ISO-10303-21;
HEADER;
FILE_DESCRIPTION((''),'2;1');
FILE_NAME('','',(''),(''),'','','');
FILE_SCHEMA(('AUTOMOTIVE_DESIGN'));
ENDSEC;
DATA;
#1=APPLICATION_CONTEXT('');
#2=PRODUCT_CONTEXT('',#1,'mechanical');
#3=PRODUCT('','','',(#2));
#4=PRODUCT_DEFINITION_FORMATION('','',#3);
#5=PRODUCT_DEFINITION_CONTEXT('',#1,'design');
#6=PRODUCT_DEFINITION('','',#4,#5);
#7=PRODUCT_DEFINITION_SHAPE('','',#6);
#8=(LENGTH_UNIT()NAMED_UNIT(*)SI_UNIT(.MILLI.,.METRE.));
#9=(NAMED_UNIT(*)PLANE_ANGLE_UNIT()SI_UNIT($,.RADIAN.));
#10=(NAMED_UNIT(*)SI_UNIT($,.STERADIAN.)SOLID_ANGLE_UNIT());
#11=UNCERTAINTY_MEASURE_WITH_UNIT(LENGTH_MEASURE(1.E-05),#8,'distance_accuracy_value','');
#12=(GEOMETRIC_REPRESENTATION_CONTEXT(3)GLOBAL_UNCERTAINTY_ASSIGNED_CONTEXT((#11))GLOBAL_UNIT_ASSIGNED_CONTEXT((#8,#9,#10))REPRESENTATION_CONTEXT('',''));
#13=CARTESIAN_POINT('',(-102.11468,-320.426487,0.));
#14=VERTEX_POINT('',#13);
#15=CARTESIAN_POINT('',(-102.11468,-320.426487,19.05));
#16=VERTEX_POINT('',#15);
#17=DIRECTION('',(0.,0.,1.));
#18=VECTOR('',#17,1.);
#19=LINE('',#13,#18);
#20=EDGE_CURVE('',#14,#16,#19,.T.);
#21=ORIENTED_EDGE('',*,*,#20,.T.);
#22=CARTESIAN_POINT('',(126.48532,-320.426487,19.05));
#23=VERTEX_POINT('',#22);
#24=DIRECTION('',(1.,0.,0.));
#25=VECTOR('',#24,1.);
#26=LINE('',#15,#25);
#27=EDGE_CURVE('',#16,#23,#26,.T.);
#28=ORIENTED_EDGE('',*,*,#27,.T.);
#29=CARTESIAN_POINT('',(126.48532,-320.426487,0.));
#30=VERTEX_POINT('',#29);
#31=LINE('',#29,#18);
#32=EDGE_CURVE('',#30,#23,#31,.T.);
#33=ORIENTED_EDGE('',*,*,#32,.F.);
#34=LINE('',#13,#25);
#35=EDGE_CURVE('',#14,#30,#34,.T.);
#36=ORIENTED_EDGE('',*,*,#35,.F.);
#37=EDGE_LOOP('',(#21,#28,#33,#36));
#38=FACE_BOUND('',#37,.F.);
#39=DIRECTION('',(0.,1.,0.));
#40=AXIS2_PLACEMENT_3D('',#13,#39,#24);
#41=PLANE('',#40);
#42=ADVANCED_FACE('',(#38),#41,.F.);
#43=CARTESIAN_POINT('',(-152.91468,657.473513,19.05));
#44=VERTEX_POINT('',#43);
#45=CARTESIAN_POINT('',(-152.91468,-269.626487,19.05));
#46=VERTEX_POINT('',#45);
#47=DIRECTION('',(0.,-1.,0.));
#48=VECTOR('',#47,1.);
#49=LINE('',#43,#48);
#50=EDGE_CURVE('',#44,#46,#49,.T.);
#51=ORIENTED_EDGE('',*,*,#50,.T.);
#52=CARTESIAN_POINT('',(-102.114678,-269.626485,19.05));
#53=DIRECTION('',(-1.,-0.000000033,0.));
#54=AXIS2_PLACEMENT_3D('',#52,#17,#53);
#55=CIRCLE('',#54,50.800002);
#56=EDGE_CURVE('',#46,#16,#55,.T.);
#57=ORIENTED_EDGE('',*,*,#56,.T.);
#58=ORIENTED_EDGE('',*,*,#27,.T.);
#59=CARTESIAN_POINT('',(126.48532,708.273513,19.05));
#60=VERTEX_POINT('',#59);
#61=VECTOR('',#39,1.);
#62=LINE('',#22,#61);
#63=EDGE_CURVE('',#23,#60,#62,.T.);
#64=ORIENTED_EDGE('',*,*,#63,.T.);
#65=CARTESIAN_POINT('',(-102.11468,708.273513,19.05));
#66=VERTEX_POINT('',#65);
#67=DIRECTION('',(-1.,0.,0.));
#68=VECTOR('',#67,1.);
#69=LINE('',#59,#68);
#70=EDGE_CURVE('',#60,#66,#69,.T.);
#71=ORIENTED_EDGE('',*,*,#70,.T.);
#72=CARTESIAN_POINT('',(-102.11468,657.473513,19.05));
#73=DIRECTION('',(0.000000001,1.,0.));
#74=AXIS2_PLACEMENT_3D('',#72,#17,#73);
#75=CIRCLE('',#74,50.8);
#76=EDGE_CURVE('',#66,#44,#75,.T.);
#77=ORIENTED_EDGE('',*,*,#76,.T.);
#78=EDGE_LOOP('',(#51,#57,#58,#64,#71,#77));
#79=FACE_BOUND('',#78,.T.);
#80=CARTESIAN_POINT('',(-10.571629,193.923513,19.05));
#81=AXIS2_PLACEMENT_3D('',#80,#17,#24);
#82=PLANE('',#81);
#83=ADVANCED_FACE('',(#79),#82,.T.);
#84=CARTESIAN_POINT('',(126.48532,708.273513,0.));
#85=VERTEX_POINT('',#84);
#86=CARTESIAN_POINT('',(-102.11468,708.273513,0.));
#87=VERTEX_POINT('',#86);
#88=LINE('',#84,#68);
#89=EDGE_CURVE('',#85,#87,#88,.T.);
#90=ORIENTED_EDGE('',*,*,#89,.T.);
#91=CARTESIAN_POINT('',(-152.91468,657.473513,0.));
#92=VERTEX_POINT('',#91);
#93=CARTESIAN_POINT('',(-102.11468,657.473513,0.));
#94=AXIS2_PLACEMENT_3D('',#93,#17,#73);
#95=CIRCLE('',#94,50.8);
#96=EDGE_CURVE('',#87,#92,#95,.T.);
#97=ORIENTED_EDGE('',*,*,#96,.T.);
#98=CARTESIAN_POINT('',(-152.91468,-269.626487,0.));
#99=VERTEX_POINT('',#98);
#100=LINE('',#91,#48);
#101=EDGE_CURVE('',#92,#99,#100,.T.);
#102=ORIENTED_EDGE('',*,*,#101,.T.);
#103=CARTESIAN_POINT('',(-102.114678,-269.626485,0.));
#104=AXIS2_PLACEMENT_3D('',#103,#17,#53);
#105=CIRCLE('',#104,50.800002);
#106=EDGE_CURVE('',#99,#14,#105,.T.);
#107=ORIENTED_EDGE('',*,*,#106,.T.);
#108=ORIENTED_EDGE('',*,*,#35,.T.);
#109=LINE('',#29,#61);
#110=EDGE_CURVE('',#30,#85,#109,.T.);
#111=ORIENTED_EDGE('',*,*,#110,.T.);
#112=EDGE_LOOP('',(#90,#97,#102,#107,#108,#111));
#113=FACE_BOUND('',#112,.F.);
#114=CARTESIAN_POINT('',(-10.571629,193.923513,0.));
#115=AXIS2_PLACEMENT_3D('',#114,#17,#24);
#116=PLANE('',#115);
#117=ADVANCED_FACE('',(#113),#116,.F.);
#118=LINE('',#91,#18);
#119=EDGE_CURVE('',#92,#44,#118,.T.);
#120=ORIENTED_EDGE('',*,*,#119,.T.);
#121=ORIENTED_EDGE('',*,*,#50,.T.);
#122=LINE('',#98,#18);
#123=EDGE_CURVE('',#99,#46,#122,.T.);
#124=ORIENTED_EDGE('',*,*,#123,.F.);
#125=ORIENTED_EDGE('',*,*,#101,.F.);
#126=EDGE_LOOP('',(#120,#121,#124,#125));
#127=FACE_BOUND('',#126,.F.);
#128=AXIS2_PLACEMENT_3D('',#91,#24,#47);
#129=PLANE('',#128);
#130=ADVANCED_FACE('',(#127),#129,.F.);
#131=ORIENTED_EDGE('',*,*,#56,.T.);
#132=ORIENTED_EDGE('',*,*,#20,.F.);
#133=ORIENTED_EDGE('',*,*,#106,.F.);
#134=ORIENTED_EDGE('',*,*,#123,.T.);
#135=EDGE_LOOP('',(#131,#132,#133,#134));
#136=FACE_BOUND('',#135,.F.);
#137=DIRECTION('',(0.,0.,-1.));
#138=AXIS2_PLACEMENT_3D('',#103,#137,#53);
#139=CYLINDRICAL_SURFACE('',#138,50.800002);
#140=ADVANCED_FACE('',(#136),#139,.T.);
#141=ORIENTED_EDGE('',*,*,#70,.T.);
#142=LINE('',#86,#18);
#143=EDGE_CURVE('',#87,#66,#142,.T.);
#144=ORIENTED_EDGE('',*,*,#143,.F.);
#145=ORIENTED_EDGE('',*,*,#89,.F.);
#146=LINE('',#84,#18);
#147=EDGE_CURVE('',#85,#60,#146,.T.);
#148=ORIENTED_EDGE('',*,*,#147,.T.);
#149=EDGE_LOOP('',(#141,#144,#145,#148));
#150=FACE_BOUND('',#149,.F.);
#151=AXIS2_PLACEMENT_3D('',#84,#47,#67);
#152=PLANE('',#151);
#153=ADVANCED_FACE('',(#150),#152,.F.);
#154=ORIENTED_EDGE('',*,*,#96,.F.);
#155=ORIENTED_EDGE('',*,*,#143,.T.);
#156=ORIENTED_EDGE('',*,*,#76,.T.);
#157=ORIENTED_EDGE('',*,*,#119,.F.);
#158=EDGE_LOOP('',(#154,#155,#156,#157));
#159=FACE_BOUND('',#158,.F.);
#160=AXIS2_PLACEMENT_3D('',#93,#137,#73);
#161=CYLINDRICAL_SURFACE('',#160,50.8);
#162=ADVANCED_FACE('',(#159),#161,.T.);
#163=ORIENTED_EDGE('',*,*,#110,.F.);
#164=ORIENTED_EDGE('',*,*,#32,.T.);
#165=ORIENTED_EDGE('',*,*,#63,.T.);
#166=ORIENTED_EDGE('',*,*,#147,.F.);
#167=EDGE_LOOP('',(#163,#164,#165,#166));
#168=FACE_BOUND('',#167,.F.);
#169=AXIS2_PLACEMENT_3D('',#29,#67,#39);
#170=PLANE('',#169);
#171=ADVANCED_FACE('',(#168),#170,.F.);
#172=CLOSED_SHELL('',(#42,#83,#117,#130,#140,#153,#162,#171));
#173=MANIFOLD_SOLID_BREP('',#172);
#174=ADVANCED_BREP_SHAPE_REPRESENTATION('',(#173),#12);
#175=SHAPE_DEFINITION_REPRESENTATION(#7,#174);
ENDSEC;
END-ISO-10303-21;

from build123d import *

# Parameters (mm, degrees)
F1_DEPTH = 19.05


with BuildPart() as f1:
    # F0 (on Top) → F1 (new body)
    with BuildSketch(Plane.XY):
        with BuildLine():
            Line((126.48532, 708.273513), (-102.11468, 708.273513))
            ThreePointArc((-102.11468, 708.273513), (-138.035704, 693.394538), (-152.91468, 657.473513))
            Line((-152.91468, 657.473513), (-152.91468, -269.626487))
            ThreePointArc((-152.91468, -269.626487), (-138.035704, -305.547511), (-102.11468, -320.426487))
            Line((-102.11468, -320.426487), (126.48532, -320.426487))
            Line((126.48532, -320.426487), (126.48532, 708.273513))
        make_face()
    extrude(amount=F1_DEPTH)


solid = f1.part
